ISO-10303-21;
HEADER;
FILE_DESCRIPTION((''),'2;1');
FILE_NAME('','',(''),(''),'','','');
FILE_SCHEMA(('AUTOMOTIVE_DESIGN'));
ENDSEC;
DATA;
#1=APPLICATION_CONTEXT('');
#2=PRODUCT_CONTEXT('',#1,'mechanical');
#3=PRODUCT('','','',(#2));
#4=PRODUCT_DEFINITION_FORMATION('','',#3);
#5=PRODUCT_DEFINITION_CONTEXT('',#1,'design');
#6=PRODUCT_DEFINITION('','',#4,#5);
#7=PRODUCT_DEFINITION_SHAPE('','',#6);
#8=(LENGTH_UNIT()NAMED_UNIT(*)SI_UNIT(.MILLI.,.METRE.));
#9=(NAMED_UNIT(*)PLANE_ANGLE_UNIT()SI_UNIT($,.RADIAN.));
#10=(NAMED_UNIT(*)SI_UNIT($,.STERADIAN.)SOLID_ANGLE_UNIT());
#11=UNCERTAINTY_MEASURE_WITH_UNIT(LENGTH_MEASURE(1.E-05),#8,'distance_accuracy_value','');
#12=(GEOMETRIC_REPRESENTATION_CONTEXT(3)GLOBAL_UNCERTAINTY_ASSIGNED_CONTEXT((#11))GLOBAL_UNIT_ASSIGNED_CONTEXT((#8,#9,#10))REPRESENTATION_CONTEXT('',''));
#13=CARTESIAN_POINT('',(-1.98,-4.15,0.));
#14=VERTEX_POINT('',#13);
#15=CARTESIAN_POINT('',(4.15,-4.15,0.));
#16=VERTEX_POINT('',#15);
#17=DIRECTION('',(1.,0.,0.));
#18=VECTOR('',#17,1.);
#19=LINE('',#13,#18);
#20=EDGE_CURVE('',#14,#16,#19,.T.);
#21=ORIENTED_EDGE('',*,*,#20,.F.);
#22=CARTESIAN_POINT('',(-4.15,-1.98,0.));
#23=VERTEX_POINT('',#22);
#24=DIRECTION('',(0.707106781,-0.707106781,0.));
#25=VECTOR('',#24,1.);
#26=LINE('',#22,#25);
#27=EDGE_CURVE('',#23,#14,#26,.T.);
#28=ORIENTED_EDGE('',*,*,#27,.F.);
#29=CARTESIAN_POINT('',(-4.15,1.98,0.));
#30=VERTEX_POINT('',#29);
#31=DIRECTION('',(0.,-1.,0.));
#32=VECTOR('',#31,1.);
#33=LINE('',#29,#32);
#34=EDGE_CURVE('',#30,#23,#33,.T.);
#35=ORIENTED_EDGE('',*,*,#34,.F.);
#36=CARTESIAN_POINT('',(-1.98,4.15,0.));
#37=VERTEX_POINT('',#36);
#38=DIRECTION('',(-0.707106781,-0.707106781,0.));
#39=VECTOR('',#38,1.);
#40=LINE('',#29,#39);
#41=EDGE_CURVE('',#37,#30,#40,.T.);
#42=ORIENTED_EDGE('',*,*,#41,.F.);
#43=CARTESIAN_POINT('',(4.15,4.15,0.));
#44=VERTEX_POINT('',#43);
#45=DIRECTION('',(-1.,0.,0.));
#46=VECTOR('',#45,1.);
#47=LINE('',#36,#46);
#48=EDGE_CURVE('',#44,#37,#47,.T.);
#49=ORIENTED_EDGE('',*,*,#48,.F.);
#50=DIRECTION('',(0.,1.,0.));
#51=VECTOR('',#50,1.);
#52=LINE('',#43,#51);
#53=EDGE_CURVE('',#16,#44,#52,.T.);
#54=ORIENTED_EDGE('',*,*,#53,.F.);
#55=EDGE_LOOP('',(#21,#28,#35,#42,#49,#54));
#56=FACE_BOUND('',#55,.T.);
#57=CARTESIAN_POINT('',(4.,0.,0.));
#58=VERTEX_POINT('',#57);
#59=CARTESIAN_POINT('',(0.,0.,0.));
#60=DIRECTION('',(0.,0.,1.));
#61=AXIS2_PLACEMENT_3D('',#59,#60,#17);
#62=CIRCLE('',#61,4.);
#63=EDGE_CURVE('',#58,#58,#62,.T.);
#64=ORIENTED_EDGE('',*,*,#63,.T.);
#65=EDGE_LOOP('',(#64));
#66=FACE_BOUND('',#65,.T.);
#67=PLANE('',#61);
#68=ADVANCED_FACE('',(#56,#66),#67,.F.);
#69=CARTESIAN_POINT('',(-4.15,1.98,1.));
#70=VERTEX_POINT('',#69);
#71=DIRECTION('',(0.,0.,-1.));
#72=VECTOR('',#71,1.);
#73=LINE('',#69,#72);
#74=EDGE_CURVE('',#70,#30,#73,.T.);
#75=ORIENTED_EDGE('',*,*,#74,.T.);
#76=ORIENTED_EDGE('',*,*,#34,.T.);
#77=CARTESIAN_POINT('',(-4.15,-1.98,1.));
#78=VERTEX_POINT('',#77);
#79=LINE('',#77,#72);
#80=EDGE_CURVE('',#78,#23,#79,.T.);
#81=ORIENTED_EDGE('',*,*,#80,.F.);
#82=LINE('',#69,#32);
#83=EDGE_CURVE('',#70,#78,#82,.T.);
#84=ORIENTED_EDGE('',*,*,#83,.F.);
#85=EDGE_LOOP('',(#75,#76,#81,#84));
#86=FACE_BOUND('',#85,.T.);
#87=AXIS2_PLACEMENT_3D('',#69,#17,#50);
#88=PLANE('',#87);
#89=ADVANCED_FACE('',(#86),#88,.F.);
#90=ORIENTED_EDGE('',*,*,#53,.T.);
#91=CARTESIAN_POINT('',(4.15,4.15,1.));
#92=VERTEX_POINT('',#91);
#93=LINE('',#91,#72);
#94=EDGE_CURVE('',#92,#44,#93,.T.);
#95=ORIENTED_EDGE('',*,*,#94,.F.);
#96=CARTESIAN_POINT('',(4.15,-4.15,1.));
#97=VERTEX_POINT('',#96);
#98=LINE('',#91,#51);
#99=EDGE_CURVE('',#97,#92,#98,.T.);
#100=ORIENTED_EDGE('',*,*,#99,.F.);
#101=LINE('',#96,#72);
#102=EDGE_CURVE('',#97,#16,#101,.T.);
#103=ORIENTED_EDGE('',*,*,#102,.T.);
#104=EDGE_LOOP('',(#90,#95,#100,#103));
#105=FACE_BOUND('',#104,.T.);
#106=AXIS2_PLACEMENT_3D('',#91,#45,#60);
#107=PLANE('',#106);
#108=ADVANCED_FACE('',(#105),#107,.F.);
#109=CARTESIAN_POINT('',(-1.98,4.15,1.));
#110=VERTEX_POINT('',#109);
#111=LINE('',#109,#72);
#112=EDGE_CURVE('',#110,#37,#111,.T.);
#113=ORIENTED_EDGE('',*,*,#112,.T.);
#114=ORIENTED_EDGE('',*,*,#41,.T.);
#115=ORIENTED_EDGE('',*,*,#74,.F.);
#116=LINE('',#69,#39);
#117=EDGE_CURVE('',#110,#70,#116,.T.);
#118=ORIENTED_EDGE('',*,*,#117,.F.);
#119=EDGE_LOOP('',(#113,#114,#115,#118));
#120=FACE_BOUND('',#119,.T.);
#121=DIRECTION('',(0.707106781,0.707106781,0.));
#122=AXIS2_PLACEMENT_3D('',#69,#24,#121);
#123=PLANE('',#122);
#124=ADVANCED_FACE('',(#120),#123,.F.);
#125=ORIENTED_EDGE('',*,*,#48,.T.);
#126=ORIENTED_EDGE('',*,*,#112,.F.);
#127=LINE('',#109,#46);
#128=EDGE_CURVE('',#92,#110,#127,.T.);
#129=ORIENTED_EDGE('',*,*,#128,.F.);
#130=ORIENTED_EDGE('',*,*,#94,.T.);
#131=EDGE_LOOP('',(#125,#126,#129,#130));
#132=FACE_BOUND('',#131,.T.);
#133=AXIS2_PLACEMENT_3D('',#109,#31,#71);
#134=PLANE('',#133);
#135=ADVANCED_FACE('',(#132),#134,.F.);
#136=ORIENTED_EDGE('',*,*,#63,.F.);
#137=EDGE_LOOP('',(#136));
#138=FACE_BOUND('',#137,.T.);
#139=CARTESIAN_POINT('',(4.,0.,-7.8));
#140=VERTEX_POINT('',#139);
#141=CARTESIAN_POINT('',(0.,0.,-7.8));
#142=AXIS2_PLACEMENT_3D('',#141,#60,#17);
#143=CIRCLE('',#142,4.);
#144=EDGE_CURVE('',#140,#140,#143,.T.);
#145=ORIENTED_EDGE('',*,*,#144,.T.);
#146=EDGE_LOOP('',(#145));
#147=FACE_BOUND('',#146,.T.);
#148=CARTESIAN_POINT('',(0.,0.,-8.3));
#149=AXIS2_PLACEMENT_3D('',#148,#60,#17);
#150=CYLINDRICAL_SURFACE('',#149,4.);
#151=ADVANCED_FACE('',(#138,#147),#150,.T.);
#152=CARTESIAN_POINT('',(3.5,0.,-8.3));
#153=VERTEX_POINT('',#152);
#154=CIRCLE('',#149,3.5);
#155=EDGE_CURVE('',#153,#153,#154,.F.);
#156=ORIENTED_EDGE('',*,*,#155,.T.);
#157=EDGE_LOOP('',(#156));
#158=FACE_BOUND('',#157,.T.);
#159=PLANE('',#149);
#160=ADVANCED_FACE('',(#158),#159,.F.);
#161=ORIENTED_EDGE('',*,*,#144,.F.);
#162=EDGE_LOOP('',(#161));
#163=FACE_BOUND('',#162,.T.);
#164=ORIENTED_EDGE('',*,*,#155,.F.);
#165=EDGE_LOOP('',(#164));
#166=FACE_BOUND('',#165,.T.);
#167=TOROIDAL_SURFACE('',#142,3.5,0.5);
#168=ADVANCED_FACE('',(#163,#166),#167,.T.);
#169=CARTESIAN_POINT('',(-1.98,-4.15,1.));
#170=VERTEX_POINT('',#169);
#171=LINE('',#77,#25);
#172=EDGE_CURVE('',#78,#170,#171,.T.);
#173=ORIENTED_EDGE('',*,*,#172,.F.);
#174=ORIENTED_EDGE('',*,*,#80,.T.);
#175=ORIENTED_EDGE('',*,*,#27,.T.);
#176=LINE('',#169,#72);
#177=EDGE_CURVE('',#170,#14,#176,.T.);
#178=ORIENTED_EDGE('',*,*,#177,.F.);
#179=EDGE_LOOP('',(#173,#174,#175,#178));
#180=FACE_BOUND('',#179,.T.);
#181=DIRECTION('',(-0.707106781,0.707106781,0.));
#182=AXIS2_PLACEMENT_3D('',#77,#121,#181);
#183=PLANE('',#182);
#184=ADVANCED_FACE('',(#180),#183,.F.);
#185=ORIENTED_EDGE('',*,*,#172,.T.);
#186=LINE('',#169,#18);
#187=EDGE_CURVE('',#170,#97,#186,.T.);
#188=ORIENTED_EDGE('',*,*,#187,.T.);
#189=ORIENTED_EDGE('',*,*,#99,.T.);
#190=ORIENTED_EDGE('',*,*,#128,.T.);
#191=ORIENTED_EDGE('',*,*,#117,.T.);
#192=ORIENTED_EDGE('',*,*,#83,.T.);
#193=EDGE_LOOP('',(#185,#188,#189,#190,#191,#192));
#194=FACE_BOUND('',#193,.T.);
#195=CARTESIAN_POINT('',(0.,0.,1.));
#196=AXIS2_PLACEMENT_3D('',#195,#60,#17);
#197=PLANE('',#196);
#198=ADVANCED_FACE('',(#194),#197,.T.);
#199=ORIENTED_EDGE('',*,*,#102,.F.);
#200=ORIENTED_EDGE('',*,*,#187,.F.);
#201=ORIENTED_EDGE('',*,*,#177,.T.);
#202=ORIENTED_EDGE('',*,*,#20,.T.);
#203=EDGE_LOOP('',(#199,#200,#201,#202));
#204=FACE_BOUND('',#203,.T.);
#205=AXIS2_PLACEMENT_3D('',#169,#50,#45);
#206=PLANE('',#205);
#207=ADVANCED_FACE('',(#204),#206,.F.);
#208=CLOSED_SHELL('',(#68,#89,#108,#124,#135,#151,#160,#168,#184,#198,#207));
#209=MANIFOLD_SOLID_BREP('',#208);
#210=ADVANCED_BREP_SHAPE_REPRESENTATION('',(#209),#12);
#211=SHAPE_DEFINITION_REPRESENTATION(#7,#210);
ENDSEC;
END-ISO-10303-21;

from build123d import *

# Parameters (mm, degrees)
BOSS_EXTRUDE1_DEPTH = 1
SKETCH2_R           = 4
BOSS_EXTRUDE2_DEPTH = 8.3
FILLET2_R           = 0.5


with BuildPart() as part:
    # Sketch1 → Boss-Extrude1 (new body)
    with BuildSketch(Plane.XY):
        Polygon((-4.15, 1.98), (-1.98, 4.15), (4.15, 4.15), (4.15, -4.15), (-1.98, -4.15), (-4.15, -1.98), align=None)
    extrude(amount=BOSS_EXTRUDE1_DEPTH)

    # Sketch2 → Boss-Extrude2 (add)
    with BuildSketch(Plane.XY):
        Circle(SKETCH2_R)
    extrude(amount=-BOSS_EXTRUDE2_DEPTH)

    # Fillet2
    fillet2_edges = [part.edges().sort_by_distance(p)[0] for p in [
        (-4, 0, -8.3),
    ]]
    fillet(fillet2_edges, radius=FILLET2_R)


solid = part.part
